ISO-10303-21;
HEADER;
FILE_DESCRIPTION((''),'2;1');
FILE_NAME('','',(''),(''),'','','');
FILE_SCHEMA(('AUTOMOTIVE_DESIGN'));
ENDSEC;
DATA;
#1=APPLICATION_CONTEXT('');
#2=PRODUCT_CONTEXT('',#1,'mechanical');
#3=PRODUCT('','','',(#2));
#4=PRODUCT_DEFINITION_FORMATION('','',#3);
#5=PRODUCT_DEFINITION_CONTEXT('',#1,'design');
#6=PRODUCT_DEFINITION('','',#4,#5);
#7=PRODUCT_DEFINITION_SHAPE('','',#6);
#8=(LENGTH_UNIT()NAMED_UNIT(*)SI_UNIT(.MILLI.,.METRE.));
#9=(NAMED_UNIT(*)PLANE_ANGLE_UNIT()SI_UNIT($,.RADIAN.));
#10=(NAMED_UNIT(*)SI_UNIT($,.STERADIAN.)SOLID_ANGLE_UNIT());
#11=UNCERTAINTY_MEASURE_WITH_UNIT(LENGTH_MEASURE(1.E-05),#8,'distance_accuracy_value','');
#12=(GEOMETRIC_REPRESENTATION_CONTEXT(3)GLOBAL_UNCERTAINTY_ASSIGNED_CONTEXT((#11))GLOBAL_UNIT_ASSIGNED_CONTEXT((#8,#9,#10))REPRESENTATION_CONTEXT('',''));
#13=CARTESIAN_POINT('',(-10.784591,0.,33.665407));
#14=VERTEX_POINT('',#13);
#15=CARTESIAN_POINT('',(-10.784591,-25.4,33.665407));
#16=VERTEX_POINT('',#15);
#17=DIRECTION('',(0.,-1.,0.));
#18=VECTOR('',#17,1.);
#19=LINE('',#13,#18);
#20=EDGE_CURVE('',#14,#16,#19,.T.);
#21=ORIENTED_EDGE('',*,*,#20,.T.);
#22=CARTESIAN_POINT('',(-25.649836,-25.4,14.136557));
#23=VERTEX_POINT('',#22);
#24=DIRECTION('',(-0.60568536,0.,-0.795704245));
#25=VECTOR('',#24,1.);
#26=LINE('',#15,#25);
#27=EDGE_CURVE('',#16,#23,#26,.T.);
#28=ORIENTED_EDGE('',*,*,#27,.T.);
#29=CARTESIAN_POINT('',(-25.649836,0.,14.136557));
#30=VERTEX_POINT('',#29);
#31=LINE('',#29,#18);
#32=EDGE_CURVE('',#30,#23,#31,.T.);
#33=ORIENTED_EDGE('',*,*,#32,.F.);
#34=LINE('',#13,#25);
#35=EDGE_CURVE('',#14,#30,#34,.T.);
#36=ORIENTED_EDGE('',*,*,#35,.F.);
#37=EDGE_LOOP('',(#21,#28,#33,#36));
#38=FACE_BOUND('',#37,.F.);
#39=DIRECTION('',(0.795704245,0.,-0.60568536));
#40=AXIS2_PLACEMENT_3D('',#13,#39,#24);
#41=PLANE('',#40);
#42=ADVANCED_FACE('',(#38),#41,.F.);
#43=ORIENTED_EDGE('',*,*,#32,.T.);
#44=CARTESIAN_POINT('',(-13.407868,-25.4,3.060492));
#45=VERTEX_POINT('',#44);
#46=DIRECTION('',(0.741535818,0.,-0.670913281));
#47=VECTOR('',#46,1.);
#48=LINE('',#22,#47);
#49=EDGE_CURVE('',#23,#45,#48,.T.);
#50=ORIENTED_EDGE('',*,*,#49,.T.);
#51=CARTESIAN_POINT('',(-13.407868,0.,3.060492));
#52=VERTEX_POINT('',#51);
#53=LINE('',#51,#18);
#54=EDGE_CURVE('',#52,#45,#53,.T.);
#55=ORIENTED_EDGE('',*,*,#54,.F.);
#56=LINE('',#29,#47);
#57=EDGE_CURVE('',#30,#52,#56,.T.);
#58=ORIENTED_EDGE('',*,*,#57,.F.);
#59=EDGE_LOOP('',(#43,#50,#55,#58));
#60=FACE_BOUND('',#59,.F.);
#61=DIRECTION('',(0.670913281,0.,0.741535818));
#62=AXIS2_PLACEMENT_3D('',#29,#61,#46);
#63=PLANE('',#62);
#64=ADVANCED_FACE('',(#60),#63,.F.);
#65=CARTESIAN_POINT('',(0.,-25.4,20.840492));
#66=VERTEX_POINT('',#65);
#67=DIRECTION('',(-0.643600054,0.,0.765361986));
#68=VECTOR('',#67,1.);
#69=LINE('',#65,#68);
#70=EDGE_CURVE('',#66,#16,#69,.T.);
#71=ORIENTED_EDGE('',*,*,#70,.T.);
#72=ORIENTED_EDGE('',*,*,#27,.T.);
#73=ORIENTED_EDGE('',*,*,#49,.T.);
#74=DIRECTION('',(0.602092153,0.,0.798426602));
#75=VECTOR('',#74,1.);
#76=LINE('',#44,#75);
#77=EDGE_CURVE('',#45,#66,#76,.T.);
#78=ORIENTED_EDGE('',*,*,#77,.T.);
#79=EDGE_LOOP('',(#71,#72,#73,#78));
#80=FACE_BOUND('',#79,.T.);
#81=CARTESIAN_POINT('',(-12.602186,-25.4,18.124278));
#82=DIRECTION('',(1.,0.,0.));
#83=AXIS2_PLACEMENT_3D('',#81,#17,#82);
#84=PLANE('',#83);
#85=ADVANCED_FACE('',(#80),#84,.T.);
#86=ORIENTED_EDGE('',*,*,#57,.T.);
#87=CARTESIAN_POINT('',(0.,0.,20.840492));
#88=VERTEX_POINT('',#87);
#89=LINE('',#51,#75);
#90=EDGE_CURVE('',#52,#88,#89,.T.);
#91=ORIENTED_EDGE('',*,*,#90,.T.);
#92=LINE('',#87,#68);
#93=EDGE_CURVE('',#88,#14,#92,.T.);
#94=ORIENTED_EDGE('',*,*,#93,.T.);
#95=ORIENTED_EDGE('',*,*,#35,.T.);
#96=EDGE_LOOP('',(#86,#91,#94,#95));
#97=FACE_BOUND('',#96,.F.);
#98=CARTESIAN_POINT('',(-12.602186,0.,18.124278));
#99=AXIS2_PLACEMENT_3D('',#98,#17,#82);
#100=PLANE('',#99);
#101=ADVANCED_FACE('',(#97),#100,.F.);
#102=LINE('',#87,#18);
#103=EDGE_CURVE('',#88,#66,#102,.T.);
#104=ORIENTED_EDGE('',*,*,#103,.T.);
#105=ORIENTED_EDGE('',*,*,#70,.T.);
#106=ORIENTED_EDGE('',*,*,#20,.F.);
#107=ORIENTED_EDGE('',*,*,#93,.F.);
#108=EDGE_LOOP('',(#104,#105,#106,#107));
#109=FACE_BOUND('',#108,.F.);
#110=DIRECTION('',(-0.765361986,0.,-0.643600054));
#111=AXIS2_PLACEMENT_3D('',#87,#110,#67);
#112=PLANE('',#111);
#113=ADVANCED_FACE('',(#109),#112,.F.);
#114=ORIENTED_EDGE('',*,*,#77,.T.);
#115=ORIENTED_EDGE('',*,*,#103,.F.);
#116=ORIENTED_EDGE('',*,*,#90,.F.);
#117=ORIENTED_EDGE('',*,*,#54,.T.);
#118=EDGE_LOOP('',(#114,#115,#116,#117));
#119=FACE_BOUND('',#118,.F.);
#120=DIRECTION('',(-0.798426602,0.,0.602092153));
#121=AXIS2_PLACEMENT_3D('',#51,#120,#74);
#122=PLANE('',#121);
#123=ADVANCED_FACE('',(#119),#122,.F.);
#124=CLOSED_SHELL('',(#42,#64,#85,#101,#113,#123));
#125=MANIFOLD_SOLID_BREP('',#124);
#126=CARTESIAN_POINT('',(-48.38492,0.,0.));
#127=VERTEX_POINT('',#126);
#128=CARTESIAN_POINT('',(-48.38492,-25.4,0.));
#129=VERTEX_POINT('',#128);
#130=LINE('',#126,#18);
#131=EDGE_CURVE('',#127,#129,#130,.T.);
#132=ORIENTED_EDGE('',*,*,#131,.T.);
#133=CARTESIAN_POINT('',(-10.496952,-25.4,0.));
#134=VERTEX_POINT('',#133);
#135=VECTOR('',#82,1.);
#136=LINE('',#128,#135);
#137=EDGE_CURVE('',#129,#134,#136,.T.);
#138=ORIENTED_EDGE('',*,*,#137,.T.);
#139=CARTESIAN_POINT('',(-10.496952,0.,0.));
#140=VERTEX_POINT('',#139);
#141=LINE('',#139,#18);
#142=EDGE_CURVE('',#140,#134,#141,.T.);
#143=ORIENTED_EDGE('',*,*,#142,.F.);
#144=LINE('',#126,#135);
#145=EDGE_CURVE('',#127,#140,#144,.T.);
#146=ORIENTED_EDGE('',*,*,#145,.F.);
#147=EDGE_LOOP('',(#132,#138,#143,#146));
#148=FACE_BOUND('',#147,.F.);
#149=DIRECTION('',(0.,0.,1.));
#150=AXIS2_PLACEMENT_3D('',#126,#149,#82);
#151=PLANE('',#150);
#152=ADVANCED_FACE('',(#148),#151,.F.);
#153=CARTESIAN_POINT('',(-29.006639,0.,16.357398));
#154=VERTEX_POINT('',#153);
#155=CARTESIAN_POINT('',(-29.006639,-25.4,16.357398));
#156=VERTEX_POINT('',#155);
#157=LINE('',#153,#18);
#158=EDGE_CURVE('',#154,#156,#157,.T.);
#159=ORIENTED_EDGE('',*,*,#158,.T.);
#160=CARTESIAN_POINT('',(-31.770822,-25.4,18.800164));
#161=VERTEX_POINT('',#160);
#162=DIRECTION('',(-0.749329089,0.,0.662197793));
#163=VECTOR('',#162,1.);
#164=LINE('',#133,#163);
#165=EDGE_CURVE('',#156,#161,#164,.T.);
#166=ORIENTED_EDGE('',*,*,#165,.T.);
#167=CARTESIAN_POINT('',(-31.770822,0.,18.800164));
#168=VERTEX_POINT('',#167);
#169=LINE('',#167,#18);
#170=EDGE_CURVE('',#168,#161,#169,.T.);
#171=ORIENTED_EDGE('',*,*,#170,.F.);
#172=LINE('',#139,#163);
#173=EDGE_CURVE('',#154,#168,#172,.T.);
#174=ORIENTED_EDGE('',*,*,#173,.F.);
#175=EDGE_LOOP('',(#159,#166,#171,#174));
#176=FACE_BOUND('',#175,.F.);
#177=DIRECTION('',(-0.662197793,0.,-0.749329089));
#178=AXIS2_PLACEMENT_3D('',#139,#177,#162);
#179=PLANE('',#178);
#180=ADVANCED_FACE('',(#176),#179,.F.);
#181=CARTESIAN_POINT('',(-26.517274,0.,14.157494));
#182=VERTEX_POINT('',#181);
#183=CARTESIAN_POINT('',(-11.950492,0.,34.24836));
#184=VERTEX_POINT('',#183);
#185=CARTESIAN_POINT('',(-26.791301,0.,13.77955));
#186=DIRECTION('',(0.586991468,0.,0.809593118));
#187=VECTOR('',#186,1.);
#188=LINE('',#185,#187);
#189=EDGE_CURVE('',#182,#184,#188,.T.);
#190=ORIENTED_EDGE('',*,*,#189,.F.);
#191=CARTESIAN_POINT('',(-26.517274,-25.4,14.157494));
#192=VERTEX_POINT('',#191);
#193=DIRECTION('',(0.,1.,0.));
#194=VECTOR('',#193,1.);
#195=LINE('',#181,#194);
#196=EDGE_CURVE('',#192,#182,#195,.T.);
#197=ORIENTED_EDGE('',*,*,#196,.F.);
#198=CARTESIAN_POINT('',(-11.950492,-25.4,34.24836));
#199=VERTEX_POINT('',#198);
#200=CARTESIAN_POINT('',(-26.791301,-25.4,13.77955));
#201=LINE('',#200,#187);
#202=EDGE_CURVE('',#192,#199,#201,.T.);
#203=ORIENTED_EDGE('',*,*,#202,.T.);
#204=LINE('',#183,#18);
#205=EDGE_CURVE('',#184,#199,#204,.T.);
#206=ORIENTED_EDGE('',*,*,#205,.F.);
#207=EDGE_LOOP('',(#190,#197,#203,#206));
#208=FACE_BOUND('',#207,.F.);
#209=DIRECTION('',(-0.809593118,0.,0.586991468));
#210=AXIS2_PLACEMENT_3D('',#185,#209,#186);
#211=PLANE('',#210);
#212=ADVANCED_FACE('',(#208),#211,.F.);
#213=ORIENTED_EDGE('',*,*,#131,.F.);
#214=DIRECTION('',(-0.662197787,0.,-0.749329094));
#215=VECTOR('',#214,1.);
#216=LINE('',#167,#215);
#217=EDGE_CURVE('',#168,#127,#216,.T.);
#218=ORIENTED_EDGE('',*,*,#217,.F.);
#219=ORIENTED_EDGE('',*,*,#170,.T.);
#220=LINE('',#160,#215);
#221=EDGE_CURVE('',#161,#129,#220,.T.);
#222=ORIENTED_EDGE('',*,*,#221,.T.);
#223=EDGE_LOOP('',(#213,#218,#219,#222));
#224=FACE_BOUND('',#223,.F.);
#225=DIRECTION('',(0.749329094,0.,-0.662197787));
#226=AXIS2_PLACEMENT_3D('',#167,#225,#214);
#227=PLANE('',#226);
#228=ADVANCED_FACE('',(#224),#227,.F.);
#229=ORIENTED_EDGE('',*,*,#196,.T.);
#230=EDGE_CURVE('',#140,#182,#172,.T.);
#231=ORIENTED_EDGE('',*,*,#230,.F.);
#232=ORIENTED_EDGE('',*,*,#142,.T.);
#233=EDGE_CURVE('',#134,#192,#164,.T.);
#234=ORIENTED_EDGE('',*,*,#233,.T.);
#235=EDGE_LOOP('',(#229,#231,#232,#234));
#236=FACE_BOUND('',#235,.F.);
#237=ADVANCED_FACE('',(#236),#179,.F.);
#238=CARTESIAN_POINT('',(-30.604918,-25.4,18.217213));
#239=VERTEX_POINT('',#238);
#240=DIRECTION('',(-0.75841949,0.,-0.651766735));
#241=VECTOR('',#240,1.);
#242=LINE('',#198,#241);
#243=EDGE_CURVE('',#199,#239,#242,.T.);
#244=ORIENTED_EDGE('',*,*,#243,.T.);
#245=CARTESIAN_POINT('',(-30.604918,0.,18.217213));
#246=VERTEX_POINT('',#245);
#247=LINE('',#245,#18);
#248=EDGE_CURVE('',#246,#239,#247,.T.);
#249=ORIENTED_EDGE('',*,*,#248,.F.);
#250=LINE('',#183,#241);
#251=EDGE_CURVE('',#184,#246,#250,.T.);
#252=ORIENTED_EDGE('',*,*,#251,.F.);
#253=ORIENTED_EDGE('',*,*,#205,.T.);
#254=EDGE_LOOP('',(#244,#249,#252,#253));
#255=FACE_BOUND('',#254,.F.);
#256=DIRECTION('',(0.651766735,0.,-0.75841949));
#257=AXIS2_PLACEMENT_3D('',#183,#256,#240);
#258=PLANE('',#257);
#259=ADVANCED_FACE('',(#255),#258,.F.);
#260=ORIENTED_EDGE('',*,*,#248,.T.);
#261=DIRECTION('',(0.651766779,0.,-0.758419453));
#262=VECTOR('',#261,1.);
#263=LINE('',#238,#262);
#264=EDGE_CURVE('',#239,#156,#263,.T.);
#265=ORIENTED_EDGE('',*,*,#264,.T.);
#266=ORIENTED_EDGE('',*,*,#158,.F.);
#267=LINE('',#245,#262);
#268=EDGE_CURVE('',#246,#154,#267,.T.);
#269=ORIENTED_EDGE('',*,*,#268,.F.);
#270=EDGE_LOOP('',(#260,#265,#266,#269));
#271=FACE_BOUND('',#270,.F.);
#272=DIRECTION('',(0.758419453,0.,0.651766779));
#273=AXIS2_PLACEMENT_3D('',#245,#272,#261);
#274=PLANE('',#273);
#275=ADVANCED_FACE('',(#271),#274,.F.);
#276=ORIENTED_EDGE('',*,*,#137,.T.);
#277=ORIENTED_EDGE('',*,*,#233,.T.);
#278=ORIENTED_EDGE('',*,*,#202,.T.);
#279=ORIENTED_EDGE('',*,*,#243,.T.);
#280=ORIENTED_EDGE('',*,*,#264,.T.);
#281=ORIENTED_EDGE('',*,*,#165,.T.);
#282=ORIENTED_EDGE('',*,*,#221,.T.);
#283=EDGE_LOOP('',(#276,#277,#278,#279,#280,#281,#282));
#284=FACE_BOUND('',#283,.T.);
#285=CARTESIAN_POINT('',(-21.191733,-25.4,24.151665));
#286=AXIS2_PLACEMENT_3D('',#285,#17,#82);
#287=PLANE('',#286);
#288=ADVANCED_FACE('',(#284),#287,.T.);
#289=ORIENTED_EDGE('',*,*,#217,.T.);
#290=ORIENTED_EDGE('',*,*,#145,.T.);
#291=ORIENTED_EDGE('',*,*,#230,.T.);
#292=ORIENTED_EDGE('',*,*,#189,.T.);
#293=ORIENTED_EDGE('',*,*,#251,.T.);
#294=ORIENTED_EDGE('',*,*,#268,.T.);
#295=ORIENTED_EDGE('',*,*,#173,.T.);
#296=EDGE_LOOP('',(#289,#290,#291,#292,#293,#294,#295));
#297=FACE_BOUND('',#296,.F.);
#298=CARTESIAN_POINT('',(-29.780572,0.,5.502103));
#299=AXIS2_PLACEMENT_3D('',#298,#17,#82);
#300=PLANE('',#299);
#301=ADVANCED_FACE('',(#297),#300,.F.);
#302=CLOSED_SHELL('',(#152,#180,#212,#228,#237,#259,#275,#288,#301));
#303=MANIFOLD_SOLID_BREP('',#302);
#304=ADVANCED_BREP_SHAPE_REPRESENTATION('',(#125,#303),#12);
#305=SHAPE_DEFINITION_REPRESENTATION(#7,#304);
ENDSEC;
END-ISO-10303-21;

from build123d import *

# Parameters (mm, degrees)
F1_DEPTH = 25.4
F3_DEPTH = 25.4
F5_DEPTH = 25.4


with BuildPart() as f1:
    # F0 (on Front) → F1 (new body)
    with BuildSketch(Plane.XZ):
        Polygon((-31.770822, 18.800164), (-48.38492, 0), (-10.496952, 0), align=None)
    extrude(amount=F1_DEPTH)

    # F4 (on Front) → F5 (join)
    with BuildSketch(Plane.XZ):
        Polygon((-26.791301, 13.77955), (-11.950492, 34.24836), (-30.604918, 18.217213), align=None)
    extrude(amount=F5_DEPTH)


with BuildPart() as f3:
    # F2 (on Front) → F3 (new body)
    with BuildSketch(Plane.XZ):
        Polygon((-10.784591, 33.665407), (-25.649836, 14.136557), (-13.407868, 3.060492), (0, 20.840492), align=None)
    extrude(amount=F3_DEPTH)


solid = Compound([f1.part, f3.part])
